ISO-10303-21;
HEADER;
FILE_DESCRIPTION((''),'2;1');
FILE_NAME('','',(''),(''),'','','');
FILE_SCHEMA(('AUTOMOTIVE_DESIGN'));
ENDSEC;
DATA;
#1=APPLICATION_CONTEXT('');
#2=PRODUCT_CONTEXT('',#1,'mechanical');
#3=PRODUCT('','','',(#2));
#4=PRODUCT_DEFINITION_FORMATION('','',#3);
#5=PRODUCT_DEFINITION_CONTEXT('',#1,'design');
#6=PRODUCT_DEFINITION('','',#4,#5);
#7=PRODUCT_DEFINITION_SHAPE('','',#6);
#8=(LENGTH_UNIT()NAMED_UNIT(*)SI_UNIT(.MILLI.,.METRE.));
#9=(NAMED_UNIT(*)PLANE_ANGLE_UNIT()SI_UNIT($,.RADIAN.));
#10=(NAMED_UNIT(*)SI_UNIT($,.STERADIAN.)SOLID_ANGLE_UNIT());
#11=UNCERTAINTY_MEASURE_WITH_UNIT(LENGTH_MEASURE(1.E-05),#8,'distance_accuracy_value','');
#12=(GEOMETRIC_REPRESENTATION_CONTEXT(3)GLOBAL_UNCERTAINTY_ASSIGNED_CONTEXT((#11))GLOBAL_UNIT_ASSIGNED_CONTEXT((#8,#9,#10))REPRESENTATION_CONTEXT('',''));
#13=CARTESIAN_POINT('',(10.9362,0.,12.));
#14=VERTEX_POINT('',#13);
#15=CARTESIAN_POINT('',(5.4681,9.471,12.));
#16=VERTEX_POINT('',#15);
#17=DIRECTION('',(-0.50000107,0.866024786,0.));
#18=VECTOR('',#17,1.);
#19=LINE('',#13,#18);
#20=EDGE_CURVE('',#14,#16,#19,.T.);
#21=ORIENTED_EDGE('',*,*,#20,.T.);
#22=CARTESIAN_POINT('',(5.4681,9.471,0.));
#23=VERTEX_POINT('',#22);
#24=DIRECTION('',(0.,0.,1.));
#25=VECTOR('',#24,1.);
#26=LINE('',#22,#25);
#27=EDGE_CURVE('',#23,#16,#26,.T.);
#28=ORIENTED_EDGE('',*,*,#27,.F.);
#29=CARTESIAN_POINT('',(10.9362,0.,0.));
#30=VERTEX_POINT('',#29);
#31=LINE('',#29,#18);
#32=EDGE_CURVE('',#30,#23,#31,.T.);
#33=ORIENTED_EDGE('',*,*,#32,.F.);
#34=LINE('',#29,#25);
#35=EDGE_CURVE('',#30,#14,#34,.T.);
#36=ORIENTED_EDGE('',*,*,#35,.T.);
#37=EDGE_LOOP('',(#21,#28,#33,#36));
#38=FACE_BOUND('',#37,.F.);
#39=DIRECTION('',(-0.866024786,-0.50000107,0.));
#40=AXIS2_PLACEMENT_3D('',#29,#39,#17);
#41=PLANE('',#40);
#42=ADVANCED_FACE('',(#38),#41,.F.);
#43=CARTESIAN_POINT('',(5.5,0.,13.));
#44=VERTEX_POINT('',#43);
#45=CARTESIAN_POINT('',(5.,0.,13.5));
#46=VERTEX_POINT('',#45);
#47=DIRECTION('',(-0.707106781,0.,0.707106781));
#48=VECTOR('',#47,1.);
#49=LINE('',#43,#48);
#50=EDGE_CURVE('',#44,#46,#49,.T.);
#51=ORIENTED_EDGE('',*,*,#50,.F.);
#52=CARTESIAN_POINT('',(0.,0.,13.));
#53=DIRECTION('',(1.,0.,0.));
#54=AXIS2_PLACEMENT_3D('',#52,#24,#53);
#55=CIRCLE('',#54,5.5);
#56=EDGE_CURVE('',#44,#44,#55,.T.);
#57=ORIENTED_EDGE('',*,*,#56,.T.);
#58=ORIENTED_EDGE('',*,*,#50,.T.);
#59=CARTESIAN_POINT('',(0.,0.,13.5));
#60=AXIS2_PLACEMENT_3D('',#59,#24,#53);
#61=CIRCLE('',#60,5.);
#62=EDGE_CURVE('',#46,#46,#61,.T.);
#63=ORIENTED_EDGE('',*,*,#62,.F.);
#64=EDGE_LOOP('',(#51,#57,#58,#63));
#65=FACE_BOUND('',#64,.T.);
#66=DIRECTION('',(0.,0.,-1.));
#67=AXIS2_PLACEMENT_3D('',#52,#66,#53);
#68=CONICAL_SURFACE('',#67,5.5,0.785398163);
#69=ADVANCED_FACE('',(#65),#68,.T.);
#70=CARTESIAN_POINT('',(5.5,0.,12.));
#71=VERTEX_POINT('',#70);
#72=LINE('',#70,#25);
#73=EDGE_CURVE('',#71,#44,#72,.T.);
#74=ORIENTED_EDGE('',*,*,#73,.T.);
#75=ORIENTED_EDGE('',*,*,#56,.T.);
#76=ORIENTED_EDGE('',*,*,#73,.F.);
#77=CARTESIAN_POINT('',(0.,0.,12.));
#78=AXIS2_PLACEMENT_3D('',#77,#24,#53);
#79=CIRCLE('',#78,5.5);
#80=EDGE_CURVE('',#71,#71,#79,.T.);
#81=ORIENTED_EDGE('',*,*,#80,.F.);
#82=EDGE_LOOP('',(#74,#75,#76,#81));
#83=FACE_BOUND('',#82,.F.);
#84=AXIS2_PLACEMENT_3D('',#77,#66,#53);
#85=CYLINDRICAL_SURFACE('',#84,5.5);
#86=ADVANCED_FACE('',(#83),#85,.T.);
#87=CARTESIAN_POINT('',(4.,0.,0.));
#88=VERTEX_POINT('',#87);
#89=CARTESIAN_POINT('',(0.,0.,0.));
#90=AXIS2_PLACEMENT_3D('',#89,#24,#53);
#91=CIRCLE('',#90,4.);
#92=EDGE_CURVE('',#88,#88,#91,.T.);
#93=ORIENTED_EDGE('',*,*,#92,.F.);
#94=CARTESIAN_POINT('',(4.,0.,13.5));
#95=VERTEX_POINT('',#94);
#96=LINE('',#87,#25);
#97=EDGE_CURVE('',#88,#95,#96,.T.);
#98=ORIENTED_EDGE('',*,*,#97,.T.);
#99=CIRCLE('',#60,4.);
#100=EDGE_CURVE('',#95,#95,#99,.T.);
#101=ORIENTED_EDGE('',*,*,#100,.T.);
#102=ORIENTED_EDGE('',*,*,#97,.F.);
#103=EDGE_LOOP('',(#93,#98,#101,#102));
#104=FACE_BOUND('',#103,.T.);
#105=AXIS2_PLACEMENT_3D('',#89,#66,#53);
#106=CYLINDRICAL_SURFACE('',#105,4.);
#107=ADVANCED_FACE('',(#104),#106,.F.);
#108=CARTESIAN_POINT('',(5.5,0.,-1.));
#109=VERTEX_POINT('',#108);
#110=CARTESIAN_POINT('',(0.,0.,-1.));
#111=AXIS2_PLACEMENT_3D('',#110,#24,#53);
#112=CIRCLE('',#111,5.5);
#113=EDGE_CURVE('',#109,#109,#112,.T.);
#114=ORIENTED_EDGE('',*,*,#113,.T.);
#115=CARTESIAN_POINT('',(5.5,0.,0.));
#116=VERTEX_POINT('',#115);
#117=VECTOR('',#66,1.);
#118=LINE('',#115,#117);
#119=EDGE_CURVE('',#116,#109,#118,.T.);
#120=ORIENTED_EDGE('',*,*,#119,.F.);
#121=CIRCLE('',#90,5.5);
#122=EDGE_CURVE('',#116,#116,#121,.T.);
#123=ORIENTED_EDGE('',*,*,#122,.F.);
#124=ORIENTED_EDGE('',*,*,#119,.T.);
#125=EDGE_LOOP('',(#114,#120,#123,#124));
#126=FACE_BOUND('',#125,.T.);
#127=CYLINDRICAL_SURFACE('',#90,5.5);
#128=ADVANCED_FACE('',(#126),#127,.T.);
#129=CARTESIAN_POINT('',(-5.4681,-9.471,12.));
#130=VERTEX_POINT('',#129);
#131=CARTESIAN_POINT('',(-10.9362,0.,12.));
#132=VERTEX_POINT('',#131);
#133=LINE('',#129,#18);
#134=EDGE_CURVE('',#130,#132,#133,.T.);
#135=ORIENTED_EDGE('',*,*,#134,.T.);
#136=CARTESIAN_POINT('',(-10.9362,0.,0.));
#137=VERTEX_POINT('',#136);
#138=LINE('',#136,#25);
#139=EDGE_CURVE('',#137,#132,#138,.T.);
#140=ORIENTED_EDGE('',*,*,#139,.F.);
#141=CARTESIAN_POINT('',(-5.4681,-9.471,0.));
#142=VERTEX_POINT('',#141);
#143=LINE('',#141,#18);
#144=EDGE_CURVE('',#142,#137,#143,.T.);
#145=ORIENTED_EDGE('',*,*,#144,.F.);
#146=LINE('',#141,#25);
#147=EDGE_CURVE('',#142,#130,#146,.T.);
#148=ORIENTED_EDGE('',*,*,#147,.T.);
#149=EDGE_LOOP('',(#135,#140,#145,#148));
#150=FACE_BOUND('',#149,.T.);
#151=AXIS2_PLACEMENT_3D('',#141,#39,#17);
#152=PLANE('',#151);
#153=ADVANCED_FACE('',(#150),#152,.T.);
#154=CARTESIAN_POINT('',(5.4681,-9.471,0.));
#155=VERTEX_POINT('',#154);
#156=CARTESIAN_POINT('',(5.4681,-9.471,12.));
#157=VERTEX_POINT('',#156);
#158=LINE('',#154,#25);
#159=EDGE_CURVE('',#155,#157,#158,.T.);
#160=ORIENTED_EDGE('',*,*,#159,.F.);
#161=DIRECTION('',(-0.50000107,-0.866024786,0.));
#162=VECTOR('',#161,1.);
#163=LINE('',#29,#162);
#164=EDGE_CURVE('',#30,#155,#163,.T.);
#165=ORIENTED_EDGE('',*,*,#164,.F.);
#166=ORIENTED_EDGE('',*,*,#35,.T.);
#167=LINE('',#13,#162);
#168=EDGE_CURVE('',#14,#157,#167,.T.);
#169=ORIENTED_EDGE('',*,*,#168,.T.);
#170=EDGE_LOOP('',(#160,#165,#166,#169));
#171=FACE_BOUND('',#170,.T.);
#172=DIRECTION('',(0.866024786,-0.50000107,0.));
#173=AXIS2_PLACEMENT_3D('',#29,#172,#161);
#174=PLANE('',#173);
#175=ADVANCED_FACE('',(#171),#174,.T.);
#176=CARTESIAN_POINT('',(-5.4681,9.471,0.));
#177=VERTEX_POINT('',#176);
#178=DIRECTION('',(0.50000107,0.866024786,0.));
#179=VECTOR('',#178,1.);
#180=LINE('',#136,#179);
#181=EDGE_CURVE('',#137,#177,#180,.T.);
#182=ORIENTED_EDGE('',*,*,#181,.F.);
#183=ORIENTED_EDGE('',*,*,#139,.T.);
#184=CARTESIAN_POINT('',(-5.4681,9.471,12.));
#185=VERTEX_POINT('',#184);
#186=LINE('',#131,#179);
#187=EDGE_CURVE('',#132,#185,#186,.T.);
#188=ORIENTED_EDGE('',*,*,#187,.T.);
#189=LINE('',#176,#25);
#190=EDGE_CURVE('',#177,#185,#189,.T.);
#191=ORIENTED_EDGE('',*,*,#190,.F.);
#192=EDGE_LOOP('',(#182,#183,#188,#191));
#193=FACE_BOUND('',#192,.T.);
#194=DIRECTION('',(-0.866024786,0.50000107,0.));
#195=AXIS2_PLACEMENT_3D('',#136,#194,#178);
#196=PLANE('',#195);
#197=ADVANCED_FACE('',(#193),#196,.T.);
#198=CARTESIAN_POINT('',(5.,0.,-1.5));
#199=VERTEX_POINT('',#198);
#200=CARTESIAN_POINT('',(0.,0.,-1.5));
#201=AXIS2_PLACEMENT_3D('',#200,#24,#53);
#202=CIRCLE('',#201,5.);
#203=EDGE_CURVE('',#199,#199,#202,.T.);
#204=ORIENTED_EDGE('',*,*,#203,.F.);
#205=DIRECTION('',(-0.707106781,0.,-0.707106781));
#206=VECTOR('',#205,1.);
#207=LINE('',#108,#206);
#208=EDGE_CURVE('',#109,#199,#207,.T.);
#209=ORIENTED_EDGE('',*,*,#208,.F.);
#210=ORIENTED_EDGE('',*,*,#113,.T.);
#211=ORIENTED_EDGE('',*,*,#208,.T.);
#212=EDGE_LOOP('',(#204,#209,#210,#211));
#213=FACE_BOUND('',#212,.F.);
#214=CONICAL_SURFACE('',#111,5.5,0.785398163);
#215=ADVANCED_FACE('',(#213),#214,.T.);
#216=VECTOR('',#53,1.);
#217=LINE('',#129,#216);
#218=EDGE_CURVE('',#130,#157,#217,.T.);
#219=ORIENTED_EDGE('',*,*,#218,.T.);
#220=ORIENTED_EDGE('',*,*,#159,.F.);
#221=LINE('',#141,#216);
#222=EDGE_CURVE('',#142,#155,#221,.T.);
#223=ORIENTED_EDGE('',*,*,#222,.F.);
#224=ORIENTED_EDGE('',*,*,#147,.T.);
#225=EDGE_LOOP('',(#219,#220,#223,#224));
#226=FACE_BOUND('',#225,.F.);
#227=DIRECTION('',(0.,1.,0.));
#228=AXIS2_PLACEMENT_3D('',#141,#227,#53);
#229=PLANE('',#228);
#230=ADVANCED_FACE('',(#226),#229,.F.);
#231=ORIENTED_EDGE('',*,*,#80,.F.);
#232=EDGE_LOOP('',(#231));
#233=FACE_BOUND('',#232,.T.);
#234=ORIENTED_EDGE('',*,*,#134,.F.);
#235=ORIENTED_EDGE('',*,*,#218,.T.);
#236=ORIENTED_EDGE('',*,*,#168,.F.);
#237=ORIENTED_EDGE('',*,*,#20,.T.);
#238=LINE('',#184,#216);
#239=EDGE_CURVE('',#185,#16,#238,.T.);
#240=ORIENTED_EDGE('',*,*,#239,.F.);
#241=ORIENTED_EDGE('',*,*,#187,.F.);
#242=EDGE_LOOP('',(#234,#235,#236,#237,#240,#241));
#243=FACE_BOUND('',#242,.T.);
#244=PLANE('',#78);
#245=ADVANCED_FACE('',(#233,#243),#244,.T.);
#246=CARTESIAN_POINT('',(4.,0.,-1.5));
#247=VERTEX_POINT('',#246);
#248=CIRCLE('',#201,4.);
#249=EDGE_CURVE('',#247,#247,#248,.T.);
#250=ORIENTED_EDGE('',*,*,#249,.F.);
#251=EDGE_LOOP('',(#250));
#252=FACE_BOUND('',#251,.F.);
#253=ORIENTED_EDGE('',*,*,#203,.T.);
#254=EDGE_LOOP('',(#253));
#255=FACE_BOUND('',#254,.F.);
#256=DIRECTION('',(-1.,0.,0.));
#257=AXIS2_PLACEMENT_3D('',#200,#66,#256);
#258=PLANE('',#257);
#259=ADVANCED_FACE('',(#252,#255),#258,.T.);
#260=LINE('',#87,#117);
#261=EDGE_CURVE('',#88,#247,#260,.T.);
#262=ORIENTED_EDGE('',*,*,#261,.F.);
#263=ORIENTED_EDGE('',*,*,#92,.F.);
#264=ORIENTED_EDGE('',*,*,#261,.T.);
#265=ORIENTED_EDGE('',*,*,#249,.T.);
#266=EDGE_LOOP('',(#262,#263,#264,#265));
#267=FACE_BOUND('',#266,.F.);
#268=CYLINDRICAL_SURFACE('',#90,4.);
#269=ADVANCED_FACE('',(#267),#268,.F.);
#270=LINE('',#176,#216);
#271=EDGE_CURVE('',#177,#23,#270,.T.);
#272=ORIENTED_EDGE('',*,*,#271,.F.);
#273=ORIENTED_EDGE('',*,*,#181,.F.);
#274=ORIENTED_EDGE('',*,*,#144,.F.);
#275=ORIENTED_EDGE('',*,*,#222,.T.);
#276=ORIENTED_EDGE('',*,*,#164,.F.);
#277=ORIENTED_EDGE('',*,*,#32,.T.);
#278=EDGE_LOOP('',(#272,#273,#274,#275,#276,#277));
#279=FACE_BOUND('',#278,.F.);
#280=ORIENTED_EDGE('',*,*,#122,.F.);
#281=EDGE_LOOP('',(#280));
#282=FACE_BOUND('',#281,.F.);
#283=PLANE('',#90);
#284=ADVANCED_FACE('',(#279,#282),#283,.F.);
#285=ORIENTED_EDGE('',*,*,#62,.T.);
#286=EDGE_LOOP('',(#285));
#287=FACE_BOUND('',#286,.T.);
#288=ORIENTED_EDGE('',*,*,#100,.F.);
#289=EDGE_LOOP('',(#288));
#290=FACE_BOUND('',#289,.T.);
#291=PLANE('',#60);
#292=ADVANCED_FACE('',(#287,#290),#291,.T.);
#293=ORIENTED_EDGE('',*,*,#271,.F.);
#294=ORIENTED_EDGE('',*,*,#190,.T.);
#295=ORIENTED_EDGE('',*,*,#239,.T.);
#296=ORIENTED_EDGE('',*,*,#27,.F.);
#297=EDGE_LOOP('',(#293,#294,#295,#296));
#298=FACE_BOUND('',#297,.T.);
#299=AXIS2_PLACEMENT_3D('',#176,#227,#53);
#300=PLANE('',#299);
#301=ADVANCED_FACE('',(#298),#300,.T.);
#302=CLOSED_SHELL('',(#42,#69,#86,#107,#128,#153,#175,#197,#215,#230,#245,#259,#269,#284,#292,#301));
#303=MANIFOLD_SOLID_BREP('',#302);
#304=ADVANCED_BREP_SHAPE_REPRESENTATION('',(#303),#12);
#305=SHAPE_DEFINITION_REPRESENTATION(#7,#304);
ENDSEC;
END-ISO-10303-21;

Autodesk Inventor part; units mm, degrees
ref_plane "YZ Plane" through (0, 0, 0) normal (1, 0, 0) x (0, 1, 0)
ref_plane "XZ Plane" through (0, 0, 0) normal (0, 1, 0) x (-1, 0, 0)
sketch "Эскиз1" plane through (0, 0, 0) normal (0, 0, 1) x (1, 0, 0)
  circle A0 centre (0, 0) radius 4
  line L0 (10.9362, 0) -> (5.4681, 9.471)
  line L1 (-5.4681, 9.471) -> (5.4681, 9.471)
  line L2 (-10.9362, 0) -> (-5.4681, 9.471)
  line L3 (-5.4681, -9.471) -> (5.4681, -9.471)
  line L4 (-5.4681, -9.471) -> (-10.9362, 0)
  line L5 (10.9362, 0) -> (5.4681, -9.471)
  line L6 (0, 0) -> (10.9362, 0)
  dimension "d45" = 8
  dimension "d52" = 120
  dimension "d53" = 120
  dimension "d54" = 10.9362
  dimension "d55" = 9.471
extrude "Выдавливание1" add sketch "Эскиз1" along normal blind 12
sketch "Эскиз3" plane through (0, 0, 12) normal (0, 0, 1) x (1, 0, 0)
  circle A0 centre (0, 0) radius 4
  circle A1 centre (0, 0) radius 5.5
  dimension "d56" = 8
  dimension "d57" = 11
extrude "Выдавливание3" add sketch "Эскиз3" along normal blind 1.5
chamfer "Фаска2" distance 0.5 angle 45 1 edges at (-5.5, 0, 13.5)
ref_plane "РабПлоскость1" through (0, 0, 6) normal (0, 0, 1) x (1, 0, 0)
mirror "Зеркальное отражение1" about plane through (0, 0, 6) normal (0, 0, 1) of "Выдавливание3"
chamfer "Фаска3" distance 0.5 angle 45 1 edges at (-5.5, 0, -1.5)
thread "Резьба1" size "M8x1.25" class "6H" standard "ANSI Metric M Profile" full length
properties part number "Нагаечник"
